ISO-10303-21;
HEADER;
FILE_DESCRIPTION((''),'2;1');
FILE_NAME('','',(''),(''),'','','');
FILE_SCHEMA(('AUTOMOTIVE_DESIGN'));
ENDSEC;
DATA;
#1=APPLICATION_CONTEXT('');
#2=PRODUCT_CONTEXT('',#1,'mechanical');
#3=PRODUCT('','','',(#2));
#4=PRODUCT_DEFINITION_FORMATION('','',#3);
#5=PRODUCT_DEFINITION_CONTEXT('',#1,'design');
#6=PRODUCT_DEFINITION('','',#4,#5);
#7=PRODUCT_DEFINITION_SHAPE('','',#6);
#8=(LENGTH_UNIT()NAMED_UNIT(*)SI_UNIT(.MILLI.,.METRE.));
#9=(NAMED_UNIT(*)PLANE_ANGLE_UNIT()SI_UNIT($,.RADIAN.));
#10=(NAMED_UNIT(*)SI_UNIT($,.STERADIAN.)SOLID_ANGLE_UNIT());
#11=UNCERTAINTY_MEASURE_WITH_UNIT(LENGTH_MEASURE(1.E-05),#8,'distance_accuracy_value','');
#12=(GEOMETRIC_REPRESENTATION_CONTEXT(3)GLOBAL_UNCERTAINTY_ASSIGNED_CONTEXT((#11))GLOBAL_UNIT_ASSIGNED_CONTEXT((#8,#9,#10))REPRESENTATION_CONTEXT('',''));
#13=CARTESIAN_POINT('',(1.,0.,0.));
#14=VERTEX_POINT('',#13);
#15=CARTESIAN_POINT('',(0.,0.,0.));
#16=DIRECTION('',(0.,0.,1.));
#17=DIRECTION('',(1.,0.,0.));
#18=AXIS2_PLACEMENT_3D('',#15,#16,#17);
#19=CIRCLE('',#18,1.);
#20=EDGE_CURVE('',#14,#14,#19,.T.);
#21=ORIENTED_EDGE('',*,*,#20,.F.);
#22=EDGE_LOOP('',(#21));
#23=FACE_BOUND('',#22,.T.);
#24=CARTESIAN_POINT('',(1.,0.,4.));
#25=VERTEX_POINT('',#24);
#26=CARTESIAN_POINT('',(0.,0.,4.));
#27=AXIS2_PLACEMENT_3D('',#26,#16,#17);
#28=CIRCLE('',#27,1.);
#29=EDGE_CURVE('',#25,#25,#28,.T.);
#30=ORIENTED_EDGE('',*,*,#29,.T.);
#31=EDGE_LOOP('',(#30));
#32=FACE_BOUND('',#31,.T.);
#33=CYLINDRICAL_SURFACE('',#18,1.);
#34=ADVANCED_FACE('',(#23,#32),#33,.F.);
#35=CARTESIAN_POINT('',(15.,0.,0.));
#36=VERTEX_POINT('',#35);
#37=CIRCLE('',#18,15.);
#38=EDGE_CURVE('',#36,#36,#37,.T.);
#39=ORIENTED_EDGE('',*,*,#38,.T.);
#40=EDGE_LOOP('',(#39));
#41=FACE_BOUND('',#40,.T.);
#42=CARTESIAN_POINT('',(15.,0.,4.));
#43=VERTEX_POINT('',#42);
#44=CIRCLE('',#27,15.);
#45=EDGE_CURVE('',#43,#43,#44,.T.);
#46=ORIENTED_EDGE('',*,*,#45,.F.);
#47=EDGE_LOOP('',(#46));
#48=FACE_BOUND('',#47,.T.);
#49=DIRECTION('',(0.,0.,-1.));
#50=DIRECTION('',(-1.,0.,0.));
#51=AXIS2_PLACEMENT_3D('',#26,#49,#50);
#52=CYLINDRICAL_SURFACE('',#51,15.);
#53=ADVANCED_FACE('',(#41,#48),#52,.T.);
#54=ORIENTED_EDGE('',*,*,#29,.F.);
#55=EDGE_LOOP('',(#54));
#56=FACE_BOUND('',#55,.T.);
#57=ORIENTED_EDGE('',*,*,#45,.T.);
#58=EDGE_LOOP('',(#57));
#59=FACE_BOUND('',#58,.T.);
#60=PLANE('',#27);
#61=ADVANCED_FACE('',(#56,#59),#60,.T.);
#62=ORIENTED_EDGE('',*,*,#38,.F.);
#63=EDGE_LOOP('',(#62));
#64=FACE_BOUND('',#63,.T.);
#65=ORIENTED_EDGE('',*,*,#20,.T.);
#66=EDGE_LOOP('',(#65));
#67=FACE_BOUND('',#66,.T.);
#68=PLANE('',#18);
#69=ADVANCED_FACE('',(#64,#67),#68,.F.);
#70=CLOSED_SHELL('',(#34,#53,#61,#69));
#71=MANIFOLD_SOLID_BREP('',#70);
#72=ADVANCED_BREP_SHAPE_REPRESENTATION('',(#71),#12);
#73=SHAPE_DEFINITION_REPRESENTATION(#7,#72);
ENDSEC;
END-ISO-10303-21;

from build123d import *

# Parameters (mm, degrees)
SKETCH_1_R          = 15
EXTRUDE_1_DEPTH     = 4
SKETCH_2_R          = 1
CUT_EXTRUDE_1_DEPTH = 5


with BuildPart() as part:
    # 草图1 → 凸台-拉伸1 (new body)
    with BuildSketch(Plane.XY):
        Circle(SKETCH_1_R)
    extrude(amount=EXTRUDE_1_DEPTH)

    # 草图2 → 切除-拉伸1 (cut, through all)
    with BuildSketch(Plane.XY.offset(4)):
        Circle(SKETCH_2_R)
    extrude(amount=-CUT_EXTRUDE_1_DEPTH, mode=Mode.SUBTRACT)


solid = part.part
